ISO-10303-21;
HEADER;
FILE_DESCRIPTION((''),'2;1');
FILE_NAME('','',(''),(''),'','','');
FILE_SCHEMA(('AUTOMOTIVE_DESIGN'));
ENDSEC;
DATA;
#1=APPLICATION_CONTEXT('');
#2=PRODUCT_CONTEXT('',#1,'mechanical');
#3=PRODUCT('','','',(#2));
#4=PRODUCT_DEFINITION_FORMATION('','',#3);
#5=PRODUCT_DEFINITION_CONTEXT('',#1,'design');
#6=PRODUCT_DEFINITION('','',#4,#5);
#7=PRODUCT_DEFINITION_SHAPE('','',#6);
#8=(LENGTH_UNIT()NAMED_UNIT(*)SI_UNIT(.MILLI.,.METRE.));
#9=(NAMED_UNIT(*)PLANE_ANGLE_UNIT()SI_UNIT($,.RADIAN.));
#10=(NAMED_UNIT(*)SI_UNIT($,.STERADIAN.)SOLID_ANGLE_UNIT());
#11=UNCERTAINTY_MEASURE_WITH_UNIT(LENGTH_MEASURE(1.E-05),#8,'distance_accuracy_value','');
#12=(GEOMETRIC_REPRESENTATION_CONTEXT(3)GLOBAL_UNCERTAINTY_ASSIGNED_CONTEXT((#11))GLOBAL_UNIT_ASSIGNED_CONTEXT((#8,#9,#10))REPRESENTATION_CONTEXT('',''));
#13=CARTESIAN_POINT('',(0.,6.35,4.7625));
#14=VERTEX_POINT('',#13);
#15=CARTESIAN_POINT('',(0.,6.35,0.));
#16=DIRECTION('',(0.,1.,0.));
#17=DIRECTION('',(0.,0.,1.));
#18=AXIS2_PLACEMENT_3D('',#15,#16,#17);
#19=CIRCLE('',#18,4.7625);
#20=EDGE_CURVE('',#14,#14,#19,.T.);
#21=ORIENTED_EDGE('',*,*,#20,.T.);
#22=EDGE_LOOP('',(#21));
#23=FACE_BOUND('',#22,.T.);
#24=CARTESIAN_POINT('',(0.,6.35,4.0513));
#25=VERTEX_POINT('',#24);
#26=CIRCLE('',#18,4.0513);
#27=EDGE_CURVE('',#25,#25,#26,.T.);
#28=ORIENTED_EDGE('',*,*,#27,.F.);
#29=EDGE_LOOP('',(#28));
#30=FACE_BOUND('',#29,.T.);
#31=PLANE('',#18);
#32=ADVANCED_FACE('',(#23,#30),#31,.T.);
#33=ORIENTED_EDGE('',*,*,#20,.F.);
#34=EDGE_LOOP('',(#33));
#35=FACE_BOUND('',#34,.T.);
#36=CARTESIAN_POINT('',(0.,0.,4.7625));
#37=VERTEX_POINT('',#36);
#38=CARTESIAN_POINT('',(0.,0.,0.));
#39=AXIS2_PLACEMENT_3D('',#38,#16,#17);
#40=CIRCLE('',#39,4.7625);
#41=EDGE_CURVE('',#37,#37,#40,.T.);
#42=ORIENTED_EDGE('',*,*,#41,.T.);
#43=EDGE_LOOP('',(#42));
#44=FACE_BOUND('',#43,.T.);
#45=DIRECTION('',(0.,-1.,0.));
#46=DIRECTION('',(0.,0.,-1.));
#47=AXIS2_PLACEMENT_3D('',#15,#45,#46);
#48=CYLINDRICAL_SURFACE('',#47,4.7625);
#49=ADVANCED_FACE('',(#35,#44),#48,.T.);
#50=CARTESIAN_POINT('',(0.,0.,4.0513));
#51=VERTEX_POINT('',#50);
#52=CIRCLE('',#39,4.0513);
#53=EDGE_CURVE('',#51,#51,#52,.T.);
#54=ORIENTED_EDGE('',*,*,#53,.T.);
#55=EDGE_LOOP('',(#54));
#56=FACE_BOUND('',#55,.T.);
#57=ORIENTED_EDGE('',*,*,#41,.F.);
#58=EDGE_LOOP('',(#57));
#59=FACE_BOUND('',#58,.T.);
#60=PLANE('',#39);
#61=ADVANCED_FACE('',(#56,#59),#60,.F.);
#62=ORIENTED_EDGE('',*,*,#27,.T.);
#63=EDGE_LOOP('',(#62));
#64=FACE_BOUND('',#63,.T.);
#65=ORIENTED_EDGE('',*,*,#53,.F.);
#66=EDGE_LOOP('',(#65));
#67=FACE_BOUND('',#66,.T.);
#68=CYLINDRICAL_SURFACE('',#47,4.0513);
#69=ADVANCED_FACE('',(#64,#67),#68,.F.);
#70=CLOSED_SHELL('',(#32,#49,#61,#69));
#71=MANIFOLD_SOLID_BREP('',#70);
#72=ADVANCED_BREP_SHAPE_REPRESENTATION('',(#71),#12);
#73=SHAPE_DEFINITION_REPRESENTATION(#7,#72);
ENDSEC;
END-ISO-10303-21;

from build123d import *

# Parameters (mm, degrees)
SKETCH1_R           = 4.7625
SKETCH1_R_2         = 4.0513
BOSS_EXTRUDE1_DEPTH = 6.35


with BuildPart() as part:
    # Sketch1 → Boss-Extrude1 (new body)
    with BuildSketch(Plane(origin=(0, 0, 0), x_dir=(1, 0, 0), z_dir=(0, 1, 0))):
        with Locations(Location((0, 0, 0), (0, 0, 270))):
            Circle(SKETCH1_R)
        with Locations(Location((0, 0, 0), (0, 0, 270))):
            Circle(SKETCH1_R_2, mode=Mode.SUBTRACT)
    extrude(amount=BOSS_EXTRUDE1_DEPTH)


solid = part.part
